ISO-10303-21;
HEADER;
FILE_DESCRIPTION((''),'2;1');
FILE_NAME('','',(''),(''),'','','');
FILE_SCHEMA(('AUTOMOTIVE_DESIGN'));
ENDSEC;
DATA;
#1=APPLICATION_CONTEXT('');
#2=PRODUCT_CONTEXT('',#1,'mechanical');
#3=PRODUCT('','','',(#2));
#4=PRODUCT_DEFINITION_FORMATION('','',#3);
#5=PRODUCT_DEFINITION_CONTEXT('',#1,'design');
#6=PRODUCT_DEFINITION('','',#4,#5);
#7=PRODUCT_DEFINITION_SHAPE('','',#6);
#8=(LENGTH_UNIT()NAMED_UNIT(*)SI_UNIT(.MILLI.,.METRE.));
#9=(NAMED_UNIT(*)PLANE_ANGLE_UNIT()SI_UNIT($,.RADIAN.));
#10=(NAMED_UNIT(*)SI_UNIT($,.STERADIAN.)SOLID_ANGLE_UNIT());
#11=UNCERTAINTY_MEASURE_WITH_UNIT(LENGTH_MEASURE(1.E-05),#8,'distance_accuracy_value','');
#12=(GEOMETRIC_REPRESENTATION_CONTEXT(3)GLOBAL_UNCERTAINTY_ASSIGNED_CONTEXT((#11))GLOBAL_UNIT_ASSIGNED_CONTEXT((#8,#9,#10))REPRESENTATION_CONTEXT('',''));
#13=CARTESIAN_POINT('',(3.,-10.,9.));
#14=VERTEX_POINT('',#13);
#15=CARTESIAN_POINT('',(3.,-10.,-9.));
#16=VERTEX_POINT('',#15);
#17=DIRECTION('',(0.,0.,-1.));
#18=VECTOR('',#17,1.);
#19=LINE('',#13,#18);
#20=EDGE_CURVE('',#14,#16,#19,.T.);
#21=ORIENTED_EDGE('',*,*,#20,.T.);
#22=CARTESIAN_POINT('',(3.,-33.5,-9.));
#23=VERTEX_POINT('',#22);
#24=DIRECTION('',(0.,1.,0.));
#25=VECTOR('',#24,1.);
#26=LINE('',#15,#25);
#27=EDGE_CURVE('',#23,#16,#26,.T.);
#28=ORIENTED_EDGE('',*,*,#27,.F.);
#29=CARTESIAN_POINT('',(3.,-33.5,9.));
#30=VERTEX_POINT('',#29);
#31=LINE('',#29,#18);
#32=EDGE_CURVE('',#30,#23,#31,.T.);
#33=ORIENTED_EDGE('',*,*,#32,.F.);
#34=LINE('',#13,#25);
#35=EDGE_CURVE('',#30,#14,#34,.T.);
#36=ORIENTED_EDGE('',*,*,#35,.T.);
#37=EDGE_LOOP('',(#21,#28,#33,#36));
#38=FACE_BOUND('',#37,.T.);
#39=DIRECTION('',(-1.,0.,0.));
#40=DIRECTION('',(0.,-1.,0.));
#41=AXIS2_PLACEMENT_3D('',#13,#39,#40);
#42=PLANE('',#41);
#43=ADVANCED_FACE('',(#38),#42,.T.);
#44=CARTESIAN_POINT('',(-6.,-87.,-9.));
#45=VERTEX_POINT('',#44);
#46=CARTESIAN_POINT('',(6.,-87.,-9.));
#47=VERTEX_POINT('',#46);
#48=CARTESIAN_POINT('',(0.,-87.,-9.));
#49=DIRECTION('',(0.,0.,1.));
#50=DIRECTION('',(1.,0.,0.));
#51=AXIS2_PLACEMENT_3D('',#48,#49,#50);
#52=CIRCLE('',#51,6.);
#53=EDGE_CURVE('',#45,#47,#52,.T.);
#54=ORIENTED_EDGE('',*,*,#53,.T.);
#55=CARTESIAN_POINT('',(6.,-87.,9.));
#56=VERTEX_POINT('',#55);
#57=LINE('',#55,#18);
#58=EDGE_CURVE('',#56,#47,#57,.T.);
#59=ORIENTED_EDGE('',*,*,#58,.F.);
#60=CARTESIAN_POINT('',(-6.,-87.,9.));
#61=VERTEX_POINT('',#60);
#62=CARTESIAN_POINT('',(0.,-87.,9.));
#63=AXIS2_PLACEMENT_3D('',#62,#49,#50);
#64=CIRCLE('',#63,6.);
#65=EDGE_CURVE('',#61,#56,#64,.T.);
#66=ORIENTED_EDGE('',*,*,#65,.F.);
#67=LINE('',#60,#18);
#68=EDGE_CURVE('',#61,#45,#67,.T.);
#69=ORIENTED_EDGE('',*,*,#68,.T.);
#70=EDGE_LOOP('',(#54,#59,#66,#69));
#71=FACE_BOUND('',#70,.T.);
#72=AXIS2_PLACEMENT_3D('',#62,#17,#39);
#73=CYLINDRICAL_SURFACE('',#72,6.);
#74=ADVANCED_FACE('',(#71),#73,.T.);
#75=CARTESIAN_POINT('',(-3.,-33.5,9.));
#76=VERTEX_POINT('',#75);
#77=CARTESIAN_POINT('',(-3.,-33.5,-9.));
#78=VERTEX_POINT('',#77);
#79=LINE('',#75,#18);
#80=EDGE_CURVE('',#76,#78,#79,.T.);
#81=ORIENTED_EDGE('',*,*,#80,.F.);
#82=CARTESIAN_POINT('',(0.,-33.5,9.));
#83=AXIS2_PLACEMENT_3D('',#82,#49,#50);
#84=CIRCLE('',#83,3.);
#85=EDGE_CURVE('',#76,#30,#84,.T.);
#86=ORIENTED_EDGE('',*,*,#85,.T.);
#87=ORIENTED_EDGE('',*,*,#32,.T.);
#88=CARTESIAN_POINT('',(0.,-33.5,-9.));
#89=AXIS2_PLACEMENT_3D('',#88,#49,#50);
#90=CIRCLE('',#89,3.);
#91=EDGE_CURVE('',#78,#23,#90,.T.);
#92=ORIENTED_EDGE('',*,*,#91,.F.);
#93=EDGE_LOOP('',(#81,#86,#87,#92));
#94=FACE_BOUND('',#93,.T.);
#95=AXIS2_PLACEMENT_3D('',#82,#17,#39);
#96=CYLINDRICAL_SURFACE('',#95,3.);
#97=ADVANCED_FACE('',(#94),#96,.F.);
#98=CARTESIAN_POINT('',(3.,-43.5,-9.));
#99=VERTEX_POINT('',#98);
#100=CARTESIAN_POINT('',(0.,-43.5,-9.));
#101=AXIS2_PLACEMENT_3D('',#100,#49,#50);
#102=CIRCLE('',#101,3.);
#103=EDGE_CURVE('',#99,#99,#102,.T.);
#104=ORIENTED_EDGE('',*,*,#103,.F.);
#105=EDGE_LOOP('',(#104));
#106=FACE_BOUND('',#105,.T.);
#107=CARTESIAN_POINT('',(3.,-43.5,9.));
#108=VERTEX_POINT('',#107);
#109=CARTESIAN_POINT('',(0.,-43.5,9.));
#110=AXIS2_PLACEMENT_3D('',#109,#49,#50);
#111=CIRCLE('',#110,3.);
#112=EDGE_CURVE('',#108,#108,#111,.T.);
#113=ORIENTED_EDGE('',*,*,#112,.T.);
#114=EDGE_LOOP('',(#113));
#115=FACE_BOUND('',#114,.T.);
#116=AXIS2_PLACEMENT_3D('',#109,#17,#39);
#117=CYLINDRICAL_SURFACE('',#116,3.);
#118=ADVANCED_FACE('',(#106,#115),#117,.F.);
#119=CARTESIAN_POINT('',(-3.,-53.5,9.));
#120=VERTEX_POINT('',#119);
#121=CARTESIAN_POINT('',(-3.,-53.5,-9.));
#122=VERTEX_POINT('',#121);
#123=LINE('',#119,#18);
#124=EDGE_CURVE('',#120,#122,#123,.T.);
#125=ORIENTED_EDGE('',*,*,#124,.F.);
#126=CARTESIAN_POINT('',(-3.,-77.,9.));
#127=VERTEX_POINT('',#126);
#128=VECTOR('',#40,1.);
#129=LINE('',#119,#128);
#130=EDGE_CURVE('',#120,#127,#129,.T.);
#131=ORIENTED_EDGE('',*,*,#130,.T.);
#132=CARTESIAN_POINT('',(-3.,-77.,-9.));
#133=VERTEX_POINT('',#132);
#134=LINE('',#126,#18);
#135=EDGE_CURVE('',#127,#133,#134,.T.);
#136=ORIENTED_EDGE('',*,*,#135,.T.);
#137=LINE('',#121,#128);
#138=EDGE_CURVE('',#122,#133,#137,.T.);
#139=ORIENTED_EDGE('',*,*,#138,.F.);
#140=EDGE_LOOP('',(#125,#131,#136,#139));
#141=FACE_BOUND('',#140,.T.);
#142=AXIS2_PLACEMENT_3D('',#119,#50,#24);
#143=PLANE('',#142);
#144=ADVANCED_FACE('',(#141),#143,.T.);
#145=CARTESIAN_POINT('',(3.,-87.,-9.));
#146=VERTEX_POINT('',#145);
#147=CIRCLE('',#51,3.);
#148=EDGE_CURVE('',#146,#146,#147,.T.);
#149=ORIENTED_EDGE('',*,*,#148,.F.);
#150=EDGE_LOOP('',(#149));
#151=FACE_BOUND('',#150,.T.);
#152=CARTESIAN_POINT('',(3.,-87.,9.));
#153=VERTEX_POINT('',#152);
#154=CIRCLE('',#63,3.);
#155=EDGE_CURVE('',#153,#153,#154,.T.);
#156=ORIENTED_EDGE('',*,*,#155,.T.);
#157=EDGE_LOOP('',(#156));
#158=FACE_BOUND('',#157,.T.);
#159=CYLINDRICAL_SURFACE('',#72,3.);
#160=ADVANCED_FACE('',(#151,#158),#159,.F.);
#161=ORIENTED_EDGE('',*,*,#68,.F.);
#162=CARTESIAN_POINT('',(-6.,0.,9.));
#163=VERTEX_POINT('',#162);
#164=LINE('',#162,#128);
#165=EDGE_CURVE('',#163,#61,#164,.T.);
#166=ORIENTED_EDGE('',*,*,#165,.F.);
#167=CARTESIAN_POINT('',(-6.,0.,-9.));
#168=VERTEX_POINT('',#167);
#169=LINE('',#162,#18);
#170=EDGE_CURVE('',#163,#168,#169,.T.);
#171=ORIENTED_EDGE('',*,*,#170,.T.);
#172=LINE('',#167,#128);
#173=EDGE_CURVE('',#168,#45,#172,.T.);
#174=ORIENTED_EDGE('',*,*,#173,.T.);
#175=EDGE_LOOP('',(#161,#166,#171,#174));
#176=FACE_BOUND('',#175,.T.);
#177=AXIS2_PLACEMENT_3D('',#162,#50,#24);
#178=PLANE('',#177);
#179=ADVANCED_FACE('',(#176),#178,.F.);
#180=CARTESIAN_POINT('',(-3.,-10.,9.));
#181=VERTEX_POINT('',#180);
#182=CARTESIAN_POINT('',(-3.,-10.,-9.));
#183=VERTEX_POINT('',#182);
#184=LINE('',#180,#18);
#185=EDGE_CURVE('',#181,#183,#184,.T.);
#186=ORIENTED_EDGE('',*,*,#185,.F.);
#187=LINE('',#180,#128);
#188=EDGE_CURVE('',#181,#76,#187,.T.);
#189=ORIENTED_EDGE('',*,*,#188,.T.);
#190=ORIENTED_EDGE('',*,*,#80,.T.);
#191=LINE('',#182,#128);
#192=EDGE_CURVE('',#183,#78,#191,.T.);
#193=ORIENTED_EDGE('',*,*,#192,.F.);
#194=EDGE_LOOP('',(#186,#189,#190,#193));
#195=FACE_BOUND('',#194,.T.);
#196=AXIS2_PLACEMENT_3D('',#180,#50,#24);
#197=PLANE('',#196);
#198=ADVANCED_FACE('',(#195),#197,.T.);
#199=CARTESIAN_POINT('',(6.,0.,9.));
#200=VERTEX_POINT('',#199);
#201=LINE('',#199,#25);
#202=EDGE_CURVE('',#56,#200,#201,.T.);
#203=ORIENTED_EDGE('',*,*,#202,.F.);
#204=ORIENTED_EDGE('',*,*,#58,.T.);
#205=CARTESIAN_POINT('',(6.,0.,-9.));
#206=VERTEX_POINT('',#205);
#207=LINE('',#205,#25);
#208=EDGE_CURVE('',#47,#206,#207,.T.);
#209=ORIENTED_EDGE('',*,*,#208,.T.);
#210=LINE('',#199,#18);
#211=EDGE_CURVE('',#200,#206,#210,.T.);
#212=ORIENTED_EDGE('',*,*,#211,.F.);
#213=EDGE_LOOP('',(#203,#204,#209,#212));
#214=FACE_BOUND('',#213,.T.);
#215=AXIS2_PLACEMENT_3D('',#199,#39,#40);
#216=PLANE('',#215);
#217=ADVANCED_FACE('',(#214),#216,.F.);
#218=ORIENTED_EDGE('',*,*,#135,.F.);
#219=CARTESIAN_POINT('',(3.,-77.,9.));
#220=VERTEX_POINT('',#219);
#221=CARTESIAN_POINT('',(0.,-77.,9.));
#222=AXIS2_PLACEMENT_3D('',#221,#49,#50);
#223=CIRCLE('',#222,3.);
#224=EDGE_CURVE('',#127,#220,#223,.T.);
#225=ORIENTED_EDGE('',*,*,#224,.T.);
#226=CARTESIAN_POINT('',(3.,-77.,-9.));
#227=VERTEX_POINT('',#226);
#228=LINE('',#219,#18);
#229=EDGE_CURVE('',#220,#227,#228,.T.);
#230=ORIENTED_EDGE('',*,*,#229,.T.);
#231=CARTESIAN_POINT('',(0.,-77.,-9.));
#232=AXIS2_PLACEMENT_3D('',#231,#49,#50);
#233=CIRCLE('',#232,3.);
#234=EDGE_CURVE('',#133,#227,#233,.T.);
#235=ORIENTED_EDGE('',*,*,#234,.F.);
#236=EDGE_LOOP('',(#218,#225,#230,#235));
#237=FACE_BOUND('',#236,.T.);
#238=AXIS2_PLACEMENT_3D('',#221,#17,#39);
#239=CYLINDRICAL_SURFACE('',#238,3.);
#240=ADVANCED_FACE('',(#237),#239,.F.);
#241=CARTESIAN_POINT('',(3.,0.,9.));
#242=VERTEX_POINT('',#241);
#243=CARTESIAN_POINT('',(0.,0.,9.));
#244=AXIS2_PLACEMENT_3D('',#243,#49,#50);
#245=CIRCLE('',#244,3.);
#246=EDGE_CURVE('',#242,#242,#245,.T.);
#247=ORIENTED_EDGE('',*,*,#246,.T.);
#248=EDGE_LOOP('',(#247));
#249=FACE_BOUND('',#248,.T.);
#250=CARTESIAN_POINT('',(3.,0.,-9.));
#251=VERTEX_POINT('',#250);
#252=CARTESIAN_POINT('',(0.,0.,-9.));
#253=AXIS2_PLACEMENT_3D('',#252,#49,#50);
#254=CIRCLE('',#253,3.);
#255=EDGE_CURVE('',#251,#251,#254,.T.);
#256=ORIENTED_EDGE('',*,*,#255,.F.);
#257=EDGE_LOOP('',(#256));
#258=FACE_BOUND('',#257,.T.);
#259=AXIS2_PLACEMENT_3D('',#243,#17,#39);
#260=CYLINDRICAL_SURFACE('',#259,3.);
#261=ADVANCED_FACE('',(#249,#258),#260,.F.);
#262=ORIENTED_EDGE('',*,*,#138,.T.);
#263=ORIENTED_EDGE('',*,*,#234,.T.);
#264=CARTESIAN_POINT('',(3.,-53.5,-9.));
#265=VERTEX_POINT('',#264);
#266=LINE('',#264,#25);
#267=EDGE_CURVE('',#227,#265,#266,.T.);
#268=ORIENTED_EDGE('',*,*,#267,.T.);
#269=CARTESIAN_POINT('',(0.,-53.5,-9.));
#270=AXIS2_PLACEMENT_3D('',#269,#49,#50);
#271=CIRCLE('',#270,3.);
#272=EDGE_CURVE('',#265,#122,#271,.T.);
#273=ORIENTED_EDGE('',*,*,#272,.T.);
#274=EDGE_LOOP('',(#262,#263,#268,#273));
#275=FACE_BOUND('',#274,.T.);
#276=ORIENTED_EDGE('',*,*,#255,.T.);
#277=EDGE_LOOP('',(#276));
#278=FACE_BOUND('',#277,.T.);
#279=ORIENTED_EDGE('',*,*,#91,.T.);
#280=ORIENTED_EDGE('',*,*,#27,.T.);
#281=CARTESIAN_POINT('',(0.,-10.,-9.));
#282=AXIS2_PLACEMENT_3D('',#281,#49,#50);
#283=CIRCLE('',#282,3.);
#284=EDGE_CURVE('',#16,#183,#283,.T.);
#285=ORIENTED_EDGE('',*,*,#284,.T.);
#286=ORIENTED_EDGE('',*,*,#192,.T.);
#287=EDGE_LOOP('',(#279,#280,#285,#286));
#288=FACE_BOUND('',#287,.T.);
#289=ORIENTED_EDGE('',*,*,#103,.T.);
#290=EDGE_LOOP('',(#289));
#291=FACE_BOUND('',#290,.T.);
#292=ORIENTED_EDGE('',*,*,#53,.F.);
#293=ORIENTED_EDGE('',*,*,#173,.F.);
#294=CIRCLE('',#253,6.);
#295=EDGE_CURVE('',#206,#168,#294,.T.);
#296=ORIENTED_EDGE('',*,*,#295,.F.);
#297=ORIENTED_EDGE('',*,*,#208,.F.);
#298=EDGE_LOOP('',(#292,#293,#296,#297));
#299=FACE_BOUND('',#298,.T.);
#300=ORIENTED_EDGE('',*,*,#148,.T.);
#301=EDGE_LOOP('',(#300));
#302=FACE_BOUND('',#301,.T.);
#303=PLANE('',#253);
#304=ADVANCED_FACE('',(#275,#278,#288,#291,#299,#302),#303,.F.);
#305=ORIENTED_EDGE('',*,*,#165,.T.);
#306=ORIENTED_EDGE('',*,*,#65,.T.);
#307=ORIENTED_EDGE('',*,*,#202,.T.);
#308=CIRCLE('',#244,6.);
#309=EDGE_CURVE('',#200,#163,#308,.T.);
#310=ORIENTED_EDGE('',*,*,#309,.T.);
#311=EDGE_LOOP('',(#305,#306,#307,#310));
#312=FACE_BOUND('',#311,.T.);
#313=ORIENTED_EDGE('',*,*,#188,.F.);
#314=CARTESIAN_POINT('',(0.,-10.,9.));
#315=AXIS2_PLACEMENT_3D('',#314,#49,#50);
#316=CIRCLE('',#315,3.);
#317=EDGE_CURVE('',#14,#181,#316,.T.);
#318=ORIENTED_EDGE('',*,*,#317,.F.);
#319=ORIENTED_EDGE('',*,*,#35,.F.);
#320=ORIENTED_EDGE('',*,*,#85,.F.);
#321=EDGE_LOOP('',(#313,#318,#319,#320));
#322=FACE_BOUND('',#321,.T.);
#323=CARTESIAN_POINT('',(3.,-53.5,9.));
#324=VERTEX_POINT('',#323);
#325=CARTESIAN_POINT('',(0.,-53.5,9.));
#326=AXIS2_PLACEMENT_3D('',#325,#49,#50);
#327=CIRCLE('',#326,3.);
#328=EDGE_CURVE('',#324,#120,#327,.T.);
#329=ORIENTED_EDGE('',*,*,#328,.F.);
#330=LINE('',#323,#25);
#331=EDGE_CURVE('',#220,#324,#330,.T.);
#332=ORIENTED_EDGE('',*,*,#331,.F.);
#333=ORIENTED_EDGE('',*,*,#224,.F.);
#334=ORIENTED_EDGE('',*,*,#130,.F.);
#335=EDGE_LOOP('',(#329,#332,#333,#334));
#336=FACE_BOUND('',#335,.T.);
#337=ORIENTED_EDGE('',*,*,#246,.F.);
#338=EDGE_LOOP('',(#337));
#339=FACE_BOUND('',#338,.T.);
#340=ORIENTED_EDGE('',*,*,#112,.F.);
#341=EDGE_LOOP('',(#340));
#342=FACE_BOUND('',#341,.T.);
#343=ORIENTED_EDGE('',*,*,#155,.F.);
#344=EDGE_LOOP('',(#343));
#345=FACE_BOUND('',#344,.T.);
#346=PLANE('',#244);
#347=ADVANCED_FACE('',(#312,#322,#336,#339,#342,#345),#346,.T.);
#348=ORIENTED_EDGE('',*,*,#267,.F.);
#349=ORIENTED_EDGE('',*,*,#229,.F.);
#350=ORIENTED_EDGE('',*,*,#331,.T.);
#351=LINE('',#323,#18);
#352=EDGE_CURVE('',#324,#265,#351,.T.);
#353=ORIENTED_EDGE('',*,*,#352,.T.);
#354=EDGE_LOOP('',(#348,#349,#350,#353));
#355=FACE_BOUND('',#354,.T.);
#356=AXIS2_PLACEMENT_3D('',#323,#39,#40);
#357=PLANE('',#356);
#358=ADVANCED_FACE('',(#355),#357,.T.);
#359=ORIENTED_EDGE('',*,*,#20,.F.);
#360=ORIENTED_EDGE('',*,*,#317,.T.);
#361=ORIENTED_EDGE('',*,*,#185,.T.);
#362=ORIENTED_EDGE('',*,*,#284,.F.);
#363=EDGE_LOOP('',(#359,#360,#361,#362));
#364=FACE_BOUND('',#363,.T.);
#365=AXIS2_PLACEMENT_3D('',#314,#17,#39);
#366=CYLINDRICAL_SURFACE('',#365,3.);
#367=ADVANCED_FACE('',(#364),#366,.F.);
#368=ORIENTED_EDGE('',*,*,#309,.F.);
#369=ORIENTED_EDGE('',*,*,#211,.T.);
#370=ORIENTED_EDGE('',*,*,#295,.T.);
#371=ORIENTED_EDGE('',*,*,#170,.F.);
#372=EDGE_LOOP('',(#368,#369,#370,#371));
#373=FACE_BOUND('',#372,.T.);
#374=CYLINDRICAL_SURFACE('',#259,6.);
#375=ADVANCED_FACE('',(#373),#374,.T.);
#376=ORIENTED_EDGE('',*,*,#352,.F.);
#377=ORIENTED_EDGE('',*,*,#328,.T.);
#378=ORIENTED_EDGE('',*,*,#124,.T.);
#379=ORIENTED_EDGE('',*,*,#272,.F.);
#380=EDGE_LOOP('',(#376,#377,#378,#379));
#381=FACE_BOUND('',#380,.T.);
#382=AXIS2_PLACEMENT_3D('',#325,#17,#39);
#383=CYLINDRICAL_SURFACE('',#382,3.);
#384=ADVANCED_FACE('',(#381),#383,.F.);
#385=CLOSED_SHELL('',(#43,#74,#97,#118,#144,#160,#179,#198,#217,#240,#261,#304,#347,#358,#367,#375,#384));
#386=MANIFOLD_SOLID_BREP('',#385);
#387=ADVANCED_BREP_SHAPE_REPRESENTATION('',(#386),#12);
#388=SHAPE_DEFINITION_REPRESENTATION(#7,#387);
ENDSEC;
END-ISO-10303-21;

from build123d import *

# Parameters (mm, degrees)
SKETCH1_R           = 3
BOSS_EXTRUDE1_DEPTH = 9


with BuildPart() as part:
    # Sketch1 → Boss-Extrude1 (new, symmetric)
    with BuildSketch(Plane.XY):
        with BuildLine():
            Line((6, 0), (6, -87))
            ThreePointArc((6, -87), (0, -93), (-6, -87))
            Line((-6, -87), (-6, 0))
            ThreePointArc((-6, 0), (0, 6), (6, 0))
        make_face()
        with Locations((0, -87)):
            Circle(SKETCH1_R, mode=Mode.SUBTRACT)
        Circle(SKETCH1_R, mode=Mode.SUBTRACT)
        with Locations((0, -43.5)):
            Circle(SKETCH1_R, mode=Mode.SUBTRACT)
        with BuildLine():
            Line((3, -10), (3, -33.5))
            ThreePointArc((3, -33.5), (0, -36.5), (-3, -33.5))
            Line((-3, -33.5), (-3, -10))
            ThreePointArc((-3, -10), (0, -7), (3, -10))
        make_face(mode=Mode.SUBTRACT)
        with BuildLine():
            Line((3, -53.5), (3, -77))
            ThreePointArc((3, -77), (0, -80), (-3, -77))
            Line((-3, -77), (-3, -53.5))
            ThreePointArc((-3, -53.5), (0, -50.5), (3, -53.5))
        make_face(mode=Mode.SUBTRACT)
    extrude(amount=BOSS_EXTRUDE1_DEPTH, both=True)


solid = part.part
